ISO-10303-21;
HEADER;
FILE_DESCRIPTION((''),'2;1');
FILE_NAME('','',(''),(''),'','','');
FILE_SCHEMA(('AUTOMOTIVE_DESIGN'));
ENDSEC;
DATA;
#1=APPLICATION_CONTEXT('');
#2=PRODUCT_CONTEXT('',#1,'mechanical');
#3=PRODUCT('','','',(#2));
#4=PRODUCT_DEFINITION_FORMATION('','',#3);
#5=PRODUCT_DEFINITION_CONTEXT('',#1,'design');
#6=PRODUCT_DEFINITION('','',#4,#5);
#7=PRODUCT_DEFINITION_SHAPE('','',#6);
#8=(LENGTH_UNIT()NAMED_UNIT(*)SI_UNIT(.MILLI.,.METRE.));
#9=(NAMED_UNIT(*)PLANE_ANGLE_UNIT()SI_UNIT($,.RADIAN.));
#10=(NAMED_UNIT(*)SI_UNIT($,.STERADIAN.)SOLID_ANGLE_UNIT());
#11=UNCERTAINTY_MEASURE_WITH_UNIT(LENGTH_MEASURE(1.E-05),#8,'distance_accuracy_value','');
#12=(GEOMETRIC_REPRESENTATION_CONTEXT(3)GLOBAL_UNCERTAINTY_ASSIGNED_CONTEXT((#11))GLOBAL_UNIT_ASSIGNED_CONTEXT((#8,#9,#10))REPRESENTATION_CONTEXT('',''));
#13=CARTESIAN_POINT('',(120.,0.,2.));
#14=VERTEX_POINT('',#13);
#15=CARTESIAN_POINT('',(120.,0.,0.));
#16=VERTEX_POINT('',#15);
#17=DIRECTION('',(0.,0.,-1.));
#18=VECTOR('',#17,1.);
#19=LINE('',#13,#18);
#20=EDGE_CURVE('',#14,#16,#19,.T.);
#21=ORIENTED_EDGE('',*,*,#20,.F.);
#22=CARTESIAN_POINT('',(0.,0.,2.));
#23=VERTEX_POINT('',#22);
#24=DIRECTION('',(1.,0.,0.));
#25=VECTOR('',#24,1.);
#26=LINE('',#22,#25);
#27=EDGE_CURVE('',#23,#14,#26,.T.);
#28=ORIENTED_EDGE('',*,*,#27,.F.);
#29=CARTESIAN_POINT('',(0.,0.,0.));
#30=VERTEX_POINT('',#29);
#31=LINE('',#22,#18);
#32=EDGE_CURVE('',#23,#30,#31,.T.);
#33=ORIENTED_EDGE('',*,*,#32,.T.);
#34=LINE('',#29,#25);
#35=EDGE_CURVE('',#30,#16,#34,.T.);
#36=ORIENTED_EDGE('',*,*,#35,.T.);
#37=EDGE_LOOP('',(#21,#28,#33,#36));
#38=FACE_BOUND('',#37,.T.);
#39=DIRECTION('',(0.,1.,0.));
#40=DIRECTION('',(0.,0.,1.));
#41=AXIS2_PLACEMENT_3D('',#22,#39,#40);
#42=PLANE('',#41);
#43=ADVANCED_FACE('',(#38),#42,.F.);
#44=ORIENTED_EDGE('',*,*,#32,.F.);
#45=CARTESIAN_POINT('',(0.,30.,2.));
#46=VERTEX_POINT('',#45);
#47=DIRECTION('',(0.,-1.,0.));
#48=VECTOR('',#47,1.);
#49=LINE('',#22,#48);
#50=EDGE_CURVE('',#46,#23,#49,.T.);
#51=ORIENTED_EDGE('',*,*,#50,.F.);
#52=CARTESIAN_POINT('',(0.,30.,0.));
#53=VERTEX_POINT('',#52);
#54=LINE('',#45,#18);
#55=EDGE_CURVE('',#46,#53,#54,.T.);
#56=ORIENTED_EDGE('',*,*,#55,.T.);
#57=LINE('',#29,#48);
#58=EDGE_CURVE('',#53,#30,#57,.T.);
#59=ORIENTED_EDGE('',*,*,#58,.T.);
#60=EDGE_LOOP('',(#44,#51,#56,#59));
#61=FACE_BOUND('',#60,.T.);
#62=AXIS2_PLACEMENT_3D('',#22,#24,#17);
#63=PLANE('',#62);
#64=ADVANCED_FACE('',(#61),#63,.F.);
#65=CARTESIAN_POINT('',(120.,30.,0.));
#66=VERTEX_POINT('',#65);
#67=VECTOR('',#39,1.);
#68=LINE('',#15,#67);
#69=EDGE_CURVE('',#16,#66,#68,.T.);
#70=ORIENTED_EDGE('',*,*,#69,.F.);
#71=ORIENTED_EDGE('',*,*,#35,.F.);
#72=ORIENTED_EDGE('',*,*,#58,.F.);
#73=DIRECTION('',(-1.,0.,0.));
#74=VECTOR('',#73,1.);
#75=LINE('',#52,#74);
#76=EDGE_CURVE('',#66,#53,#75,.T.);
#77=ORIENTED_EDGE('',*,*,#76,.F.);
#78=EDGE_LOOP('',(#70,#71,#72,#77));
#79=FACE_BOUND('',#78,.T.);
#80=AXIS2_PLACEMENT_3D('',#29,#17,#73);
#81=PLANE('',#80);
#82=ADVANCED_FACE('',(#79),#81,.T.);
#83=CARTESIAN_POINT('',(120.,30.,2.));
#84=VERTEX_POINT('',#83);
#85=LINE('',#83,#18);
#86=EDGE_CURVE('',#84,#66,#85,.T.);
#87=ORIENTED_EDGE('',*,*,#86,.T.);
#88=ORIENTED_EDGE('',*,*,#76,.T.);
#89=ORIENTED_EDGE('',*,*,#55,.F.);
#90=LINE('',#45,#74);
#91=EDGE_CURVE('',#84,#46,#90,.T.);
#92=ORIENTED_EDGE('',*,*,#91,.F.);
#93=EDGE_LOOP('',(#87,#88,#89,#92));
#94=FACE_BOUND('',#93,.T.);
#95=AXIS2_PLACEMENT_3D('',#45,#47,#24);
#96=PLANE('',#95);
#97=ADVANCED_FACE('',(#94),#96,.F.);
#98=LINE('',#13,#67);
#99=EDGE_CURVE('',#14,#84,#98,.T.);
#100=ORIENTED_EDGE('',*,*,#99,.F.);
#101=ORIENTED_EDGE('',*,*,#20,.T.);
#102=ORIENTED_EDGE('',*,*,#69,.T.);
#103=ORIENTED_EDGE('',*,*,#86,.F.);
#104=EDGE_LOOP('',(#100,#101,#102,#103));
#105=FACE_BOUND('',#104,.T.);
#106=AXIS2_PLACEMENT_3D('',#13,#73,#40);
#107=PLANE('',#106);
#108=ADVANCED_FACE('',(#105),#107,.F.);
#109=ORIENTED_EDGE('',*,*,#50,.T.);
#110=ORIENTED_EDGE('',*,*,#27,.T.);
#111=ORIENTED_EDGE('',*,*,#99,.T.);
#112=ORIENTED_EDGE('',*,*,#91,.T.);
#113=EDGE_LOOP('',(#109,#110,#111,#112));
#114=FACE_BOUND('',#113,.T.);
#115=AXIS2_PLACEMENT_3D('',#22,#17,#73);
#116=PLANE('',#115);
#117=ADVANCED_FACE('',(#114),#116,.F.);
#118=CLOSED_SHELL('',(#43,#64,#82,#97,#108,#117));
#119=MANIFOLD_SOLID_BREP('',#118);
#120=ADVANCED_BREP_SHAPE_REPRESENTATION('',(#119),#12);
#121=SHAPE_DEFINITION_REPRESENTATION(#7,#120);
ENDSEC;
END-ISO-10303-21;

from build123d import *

# Parameters (mm, degrees)
SCHIZZO1_W                   = 120
SCHIZZO1_H                   = 30
ESTRUSIONE_ESTRUSIONE1_DEPTH = 2


with BuildPart() as part:
    # Schizzo1 → Estrusione-Estrusione1 (new body)
    with BuildSketch(Plane.XY):
        with Locations((60, 15)):
            Rectangle(SCHIZZO1_W, SCHIZZO1_H)
    extrude(amount=ESTRUSIONE_ESTRUSIONE1_DEPTH)


solid = part.part
